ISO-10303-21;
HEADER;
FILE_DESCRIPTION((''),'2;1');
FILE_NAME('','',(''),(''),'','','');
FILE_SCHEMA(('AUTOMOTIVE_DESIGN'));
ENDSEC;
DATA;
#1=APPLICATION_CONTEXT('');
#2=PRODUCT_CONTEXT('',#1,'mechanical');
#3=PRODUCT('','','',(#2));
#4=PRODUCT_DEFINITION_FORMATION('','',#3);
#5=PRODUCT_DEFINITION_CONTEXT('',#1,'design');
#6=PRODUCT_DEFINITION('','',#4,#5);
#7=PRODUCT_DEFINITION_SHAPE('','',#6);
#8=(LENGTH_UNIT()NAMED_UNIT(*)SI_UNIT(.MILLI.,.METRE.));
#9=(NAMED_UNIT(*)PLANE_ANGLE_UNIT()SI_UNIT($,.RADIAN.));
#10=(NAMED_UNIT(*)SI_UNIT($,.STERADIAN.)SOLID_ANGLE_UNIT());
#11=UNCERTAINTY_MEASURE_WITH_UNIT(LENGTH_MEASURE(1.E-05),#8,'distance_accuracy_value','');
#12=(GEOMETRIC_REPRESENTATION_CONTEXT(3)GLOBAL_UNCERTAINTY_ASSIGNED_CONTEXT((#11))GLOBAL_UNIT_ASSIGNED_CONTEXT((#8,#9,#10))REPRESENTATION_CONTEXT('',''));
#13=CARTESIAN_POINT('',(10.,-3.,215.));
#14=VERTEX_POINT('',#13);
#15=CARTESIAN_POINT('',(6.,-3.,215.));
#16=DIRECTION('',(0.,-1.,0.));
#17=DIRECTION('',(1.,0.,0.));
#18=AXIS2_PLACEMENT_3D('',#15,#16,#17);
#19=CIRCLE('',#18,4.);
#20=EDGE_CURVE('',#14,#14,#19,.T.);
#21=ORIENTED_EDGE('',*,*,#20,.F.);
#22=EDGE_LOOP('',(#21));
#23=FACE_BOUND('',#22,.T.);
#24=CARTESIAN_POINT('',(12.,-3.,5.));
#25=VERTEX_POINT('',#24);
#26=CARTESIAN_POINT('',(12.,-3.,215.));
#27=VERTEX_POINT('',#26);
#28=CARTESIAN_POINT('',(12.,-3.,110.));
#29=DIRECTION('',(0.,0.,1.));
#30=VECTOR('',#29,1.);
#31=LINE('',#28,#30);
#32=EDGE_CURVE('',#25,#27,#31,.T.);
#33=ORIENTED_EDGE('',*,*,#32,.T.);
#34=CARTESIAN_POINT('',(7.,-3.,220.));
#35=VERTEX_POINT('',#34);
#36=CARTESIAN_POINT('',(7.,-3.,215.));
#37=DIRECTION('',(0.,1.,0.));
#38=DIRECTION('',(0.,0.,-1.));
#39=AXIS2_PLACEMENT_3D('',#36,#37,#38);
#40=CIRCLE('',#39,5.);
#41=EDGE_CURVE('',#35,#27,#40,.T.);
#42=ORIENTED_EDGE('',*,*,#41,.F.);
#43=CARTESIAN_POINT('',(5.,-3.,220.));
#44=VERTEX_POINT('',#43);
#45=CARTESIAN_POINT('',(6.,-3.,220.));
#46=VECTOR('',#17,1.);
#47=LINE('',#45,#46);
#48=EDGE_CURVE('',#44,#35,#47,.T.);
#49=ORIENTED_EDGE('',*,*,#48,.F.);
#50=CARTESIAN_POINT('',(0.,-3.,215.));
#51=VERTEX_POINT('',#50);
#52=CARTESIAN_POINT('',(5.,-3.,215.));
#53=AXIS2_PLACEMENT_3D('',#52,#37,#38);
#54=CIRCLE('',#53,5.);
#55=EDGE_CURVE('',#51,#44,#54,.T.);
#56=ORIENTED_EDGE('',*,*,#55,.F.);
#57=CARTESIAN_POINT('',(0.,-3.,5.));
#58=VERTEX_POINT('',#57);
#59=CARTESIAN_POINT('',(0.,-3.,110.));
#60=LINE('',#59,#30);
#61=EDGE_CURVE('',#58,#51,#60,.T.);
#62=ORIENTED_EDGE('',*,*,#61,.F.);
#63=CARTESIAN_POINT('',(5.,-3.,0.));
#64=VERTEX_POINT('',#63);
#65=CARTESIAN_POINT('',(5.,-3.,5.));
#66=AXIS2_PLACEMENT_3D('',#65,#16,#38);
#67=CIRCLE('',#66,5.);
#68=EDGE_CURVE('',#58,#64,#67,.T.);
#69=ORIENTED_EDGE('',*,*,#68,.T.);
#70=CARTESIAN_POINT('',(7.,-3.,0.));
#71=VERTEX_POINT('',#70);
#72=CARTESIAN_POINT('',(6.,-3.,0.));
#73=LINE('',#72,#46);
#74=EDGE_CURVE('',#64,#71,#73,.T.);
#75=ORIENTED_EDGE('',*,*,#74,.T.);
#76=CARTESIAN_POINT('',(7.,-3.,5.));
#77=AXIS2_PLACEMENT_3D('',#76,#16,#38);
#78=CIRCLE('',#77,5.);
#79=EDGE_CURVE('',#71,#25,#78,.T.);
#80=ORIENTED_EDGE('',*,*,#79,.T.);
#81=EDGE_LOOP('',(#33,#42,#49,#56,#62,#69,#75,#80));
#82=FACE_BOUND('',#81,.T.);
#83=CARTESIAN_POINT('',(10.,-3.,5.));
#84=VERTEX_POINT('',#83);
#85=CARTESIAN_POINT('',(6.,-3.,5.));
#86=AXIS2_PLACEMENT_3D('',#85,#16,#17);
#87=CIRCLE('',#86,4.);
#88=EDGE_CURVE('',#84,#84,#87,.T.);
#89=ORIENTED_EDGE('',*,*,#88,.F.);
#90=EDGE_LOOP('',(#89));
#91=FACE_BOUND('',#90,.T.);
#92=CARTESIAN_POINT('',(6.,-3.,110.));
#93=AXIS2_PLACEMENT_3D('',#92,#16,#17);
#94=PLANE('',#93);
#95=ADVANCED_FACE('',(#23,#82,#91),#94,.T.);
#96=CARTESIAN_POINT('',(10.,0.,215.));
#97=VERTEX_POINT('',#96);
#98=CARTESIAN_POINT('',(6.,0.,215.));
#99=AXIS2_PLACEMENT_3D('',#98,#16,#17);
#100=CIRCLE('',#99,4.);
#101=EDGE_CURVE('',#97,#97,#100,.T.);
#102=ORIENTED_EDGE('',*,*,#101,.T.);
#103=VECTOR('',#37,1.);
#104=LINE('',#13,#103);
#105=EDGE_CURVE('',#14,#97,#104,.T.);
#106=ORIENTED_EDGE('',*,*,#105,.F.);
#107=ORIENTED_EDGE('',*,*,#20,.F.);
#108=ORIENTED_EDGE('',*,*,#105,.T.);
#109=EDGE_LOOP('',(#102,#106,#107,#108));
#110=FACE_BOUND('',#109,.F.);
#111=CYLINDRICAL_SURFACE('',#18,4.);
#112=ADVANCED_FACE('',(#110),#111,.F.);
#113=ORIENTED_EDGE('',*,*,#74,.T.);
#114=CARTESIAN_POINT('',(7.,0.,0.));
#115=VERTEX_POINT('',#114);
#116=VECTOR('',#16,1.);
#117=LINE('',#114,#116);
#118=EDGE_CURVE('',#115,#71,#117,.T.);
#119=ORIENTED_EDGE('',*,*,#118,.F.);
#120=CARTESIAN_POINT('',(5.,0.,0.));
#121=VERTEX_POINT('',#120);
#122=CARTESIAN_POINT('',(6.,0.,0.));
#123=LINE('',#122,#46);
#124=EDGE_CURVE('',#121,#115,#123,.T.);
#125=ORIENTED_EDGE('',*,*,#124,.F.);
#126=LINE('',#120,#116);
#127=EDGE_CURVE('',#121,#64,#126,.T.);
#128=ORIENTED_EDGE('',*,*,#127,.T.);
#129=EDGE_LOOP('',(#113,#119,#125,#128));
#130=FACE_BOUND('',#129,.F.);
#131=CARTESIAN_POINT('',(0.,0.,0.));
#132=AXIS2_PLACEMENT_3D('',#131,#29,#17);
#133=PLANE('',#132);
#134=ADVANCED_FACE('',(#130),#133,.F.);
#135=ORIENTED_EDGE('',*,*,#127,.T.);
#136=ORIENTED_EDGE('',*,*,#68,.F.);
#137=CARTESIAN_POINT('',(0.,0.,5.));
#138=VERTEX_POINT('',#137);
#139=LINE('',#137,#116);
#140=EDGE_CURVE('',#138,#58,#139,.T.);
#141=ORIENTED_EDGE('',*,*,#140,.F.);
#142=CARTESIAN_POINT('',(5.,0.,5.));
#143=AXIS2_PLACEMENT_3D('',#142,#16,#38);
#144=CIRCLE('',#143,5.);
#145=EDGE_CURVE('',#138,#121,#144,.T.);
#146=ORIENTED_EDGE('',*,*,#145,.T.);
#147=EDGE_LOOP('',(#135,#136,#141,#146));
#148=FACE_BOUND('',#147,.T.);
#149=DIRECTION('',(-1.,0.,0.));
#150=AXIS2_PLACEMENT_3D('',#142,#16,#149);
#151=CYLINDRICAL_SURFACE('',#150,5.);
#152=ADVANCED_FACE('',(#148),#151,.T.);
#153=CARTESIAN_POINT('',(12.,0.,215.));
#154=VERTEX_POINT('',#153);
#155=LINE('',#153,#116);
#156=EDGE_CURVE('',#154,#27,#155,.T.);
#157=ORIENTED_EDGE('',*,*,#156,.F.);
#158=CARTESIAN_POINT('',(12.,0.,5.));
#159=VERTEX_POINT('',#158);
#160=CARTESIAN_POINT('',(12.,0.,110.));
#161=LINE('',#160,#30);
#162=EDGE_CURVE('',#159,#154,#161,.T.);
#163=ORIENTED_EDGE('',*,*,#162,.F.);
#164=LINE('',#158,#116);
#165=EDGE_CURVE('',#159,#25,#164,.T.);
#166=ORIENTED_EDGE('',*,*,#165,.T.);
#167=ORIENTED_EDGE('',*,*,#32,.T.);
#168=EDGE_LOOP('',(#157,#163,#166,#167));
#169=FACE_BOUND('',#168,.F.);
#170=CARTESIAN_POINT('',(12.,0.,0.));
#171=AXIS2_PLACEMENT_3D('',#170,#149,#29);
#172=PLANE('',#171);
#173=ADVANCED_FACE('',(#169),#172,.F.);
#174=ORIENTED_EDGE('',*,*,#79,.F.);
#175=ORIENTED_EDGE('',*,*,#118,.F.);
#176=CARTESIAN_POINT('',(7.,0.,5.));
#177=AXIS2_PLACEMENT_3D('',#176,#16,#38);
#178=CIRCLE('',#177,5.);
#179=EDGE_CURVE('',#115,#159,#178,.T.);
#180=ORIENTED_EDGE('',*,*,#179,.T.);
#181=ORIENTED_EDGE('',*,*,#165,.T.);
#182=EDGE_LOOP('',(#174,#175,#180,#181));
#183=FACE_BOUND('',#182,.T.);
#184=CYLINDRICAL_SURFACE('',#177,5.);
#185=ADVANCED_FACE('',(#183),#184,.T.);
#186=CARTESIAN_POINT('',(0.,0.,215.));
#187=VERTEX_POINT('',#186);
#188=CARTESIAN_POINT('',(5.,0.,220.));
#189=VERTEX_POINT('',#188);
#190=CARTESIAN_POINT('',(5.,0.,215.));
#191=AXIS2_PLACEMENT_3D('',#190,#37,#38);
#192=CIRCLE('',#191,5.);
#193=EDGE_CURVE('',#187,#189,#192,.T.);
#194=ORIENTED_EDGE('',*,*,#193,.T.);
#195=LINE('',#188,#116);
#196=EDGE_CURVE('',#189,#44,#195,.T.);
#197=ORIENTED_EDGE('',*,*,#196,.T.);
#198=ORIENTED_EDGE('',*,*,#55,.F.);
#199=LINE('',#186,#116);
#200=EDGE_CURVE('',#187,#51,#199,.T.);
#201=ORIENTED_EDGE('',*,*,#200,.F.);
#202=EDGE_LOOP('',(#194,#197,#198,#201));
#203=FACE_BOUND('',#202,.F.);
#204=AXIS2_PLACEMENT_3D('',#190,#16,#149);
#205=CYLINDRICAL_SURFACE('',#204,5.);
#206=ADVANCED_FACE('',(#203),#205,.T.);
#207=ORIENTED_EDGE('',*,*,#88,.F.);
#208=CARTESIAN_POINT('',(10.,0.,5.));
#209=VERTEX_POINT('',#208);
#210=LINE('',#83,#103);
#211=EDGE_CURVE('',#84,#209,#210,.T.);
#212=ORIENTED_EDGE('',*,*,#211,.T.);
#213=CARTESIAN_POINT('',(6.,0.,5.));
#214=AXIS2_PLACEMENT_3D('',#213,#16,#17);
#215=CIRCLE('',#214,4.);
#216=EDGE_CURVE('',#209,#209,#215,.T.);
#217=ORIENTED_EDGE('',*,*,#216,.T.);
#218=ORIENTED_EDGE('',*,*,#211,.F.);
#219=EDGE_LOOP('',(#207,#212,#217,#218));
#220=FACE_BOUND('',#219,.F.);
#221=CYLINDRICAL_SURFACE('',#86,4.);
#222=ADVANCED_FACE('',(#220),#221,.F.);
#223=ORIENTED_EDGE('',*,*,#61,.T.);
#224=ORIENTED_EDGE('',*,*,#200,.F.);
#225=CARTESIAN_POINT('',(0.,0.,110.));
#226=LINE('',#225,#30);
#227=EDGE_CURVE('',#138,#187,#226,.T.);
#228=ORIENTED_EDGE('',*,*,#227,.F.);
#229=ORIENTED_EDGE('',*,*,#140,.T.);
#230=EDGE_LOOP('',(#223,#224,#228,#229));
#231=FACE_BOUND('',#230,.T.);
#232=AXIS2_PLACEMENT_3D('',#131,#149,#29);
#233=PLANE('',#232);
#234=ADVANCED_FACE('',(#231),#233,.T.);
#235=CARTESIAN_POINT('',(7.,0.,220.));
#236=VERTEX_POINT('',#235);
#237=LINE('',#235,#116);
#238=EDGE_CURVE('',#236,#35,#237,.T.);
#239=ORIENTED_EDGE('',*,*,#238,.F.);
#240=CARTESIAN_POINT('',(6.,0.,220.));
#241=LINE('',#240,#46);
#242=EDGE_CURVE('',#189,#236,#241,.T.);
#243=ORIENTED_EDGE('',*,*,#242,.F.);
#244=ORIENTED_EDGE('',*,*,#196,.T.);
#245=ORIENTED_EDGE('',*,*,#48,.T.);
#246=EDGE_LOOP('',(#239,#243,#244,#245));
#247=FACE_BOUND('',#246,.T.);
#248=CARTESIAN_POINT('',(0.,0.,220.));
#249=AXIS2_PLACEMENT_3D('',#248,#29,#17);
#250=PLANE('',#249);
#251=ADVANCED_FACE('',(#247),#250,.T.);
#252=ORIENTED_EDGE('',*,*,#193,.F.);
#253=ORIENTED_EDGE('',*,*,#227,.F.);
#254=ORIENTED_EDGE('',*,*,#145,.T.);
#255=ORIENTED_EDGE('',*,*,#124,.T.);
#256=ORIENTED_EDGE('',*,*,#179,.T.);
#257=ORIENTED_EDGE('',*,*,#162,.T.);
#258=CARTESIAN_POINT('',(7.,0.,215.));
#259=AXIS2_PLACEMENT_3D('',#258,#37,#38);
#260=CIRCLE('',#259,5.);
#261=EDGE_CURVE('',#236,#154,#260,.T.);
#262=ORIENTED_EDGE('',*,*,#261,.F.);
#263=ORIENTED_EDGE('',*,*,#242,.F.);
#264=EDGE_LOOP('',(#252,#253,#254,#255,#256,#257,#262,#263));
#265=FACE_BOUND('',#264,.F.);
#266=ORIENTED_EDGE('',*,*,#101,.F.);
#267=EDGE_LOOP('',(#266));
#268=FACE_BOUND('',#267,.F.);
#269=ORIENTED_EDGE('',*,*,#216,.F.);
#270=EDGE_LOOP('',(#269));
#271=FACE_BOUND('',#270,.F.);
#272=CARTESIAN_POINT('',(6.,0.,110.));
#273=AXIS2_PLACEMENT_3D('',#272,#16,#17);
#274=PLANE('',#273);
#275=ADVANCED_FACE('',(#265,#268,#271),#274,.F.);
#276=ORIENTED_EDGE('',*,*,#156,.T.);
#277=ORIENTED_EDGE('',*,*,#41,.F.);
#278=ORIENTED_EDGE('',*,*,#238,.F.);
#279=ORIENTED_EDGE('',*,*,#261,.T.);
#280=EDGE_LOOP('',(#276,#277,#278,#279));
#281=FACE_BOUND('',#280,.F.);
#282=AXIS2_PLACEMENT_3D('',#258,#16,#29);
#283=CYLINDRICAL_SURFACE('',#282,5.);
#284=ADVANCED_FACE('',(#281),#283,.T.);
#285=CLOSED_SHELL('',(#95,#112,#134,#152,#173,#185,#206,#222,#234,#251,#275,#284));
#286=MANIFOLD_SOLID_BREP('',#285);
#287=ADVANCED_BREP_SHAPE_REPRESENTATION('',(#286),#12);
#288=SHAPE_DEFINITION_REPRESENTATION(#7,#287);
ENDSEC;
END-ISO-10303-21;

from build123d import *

# Parameters (mm, degrees)
F0_W     = 12
F0_H     = 220
F1_DEPTH = 3
F2_R     = 5
F3_R     = 5
F4_R     = 5
F5_R     = 5
F6_R     = 4
F7_DEPTH = 25


with BuildPart() as f1:
    # F0 (on Front) → F1 (new body)
    with BuildSketch(Plane.XZ):
        with Locations((6, 110)):
            Rectangle(F0_W, F0_H)
    extrude(amount=F1_DEPTH)

    # F2
    f2_edges = [f1.edges().sort_by_distance(p)[0] for p in [
        (0, -1.5, 220),
    ]]
    fillet(f2_edges, radius=F2_R)

    # F3
    f3_edges = [f1.edges().sort_by_distance(p)[0] for p in [
        (12, -1.5, 220),
    ]]
    fillet(f3_edges, radius=F3_R)

    # F4
    f4_edges = [f1.edges().sort_by_distance(p)[0] for p in [
        (0, -1.5, 0),
    ]]
    fillet(f4_edges, radius=F4_R)

    # F5
    f5_edges = [f1.edges().sort_by_distance(p)[0] for p in [
        (12, -1.5, 0),
    ]]
    fillet(f5_edges, radius=F5_R)

    # F6 (on face) → F7 (cut)
    with BuildSketch(Plane.XZ.offset(3)):
        with Locations((6, 215)):
            Circle(F6_R)
        with Locations((6, 5)):
            Circle(F6_R)
    extrude(amount=-F7_DEPTH, mode=Mode.SUBTRACT)


solid = f1.part
